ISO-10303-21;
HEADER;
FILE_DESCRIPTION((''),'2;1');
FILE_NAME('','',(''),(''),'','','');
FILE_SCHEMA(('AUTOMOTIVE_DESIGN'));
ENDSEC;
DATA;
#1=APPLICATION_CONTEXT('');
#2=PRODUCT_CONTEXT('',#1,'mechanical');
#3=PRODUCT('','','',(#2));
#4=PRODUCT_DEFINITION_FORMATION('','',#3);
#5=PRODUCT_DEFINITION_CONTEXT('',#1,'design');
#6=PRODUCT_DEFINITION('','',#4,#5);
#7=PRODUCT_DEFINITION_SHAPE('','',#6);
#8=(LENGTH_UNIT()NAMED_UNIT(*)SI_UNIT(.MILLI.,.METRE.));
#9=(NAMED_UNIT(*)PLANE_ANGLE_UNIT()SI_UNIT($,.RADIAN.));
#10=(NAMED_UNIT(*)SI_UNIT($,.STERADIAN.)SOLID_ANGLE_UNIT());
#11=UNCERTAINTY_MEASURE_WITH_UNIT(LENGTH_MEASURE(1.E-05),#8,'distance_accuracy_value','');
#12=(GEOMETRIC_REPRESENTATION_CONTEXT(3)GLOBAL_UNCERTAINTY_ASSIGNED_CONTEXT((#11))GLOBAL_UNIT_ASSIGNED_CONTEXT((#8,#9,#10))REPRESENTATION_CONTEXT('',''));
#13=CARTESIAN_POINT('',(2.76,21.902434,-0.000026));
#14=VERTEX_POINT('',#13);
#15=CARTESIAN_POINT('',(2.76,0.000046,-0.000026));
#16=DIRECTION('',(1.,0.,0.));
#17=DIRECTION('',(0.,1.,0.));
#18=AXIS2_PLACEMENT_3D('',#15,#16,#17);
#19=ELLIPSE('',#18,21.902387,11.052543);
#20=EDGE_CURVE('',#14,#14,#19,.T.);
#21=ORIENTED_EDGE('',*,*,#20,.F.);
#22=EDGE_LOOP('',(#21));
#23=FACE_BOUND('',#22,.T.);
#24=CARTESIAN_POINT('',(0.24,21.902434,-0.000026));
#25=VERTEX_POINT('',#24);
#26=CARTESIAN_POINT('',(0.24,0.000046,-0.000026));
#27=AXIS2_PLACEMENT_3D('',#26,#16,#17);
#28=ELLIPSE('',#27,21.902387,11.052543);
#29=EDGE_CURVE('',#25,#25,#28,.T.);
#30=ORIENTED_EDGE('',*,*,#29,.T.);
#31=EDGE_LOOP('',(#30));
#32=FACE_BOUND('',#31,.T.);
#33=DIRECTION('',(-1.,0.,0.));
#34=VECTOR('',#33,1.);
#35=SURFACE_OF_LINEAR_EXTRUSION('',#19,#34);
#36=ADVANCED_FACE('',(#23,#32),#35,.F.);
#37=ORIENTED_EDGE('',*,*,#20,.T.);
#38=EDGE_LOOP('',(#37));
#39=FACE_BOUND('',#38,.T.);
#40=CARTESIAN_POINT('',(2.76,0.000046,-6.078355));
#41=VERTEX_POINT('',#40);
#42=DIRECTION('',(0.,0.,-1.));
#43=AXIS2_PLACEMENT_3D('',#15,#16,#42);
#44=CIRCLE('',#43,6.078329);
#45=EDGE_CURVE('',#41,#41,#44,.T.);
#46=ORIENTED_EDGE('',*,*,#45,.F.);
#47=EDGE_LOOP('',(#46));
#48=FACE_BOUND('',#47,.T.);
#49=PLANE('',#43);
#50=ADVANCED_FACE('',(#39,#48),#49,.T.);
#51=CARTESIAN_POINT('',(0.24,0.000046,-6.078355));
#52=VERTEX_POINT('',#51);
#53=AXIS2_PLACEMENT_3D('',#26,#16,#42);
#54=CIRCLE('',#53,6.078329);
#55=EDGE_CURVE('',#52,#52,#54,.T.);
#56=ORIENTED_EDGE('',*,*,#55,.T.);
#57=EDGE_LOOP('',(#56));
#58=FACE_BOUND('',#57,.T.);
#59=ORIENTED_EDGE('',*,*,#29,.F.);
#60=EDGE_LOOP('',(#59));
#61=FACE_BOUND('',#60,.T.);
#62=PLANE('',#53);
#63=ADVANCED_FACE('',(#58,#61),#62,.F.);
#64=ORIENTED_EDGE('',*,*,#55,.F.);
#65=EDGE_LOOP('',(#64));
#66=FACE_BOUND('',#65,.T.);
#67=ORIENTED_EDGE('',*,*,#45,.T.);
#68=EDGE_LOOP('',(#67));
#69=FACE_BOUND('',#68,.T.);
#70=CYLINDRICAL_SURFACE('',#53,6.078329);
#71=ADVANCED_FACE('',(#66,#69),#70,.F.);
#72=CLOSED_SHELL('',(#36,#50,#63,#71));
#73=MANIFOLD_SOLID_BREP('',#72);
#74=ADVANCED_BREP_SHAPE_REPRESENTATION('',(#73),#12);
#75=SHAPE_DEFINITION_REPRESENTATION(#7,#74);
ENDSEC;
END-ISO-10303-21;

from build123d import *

# Parameters (mm, degrees)
CROQUIS2_RX             = 26.074270712
CROQUIS2_RY             = 13.157789795
SALIENTE_EXTRUIR1_DEPTH = 3
CROQUIS3_R              = 7.236106057
CORTAR_EXTRUIR1_DEPTH   = 3
ESCALA1_SCALE           = 0.7
ESCALA2_SCALE           = 1.2


with BuildPart() as part:
    # Croquis2 → Saliente-Extruir1 (new body)
    with BuildSketch(Plane(origin=(0, 0, 0), x_dir=(0, 0, -1), z_dir=(1, 0, 0))):
        with Locations(Location((0, 0), (0, 0, 90))):
            Ellipse(CROQUIS2_RX, CROQUIS2_RY)
    extrude(amount=SALIENTE_EXTRUIR1_DEPTH)

    # Croquis3 → Cortar-Extruir1 (cut)
    with BuildSketch(Plane(origin=(3, 0, 0), x_dir=(0, 0, -1), z_dir=(1, 0, 0))):
        Circle(CROQUIS3_R)
    extrude(amount=-CORTAR_EXTRUIR1_DEPTH, mode=Mode.SUBTRACT)


with BuildPart() as part_1:
    # Escala1: scaled about (1.5, 0, 0)
    add(part.part.scale(ESCALA1_SCALE).moved(Location((0.45, 0, 0))))


with BuildPart() as part_2:
    # Escala2: scaled about (1.5, 0, 0)
    add(part_1.part.scale(ESCALA2_SCALE).moved(Location((-0.3, 0, 0))))


solid = part_2.part
